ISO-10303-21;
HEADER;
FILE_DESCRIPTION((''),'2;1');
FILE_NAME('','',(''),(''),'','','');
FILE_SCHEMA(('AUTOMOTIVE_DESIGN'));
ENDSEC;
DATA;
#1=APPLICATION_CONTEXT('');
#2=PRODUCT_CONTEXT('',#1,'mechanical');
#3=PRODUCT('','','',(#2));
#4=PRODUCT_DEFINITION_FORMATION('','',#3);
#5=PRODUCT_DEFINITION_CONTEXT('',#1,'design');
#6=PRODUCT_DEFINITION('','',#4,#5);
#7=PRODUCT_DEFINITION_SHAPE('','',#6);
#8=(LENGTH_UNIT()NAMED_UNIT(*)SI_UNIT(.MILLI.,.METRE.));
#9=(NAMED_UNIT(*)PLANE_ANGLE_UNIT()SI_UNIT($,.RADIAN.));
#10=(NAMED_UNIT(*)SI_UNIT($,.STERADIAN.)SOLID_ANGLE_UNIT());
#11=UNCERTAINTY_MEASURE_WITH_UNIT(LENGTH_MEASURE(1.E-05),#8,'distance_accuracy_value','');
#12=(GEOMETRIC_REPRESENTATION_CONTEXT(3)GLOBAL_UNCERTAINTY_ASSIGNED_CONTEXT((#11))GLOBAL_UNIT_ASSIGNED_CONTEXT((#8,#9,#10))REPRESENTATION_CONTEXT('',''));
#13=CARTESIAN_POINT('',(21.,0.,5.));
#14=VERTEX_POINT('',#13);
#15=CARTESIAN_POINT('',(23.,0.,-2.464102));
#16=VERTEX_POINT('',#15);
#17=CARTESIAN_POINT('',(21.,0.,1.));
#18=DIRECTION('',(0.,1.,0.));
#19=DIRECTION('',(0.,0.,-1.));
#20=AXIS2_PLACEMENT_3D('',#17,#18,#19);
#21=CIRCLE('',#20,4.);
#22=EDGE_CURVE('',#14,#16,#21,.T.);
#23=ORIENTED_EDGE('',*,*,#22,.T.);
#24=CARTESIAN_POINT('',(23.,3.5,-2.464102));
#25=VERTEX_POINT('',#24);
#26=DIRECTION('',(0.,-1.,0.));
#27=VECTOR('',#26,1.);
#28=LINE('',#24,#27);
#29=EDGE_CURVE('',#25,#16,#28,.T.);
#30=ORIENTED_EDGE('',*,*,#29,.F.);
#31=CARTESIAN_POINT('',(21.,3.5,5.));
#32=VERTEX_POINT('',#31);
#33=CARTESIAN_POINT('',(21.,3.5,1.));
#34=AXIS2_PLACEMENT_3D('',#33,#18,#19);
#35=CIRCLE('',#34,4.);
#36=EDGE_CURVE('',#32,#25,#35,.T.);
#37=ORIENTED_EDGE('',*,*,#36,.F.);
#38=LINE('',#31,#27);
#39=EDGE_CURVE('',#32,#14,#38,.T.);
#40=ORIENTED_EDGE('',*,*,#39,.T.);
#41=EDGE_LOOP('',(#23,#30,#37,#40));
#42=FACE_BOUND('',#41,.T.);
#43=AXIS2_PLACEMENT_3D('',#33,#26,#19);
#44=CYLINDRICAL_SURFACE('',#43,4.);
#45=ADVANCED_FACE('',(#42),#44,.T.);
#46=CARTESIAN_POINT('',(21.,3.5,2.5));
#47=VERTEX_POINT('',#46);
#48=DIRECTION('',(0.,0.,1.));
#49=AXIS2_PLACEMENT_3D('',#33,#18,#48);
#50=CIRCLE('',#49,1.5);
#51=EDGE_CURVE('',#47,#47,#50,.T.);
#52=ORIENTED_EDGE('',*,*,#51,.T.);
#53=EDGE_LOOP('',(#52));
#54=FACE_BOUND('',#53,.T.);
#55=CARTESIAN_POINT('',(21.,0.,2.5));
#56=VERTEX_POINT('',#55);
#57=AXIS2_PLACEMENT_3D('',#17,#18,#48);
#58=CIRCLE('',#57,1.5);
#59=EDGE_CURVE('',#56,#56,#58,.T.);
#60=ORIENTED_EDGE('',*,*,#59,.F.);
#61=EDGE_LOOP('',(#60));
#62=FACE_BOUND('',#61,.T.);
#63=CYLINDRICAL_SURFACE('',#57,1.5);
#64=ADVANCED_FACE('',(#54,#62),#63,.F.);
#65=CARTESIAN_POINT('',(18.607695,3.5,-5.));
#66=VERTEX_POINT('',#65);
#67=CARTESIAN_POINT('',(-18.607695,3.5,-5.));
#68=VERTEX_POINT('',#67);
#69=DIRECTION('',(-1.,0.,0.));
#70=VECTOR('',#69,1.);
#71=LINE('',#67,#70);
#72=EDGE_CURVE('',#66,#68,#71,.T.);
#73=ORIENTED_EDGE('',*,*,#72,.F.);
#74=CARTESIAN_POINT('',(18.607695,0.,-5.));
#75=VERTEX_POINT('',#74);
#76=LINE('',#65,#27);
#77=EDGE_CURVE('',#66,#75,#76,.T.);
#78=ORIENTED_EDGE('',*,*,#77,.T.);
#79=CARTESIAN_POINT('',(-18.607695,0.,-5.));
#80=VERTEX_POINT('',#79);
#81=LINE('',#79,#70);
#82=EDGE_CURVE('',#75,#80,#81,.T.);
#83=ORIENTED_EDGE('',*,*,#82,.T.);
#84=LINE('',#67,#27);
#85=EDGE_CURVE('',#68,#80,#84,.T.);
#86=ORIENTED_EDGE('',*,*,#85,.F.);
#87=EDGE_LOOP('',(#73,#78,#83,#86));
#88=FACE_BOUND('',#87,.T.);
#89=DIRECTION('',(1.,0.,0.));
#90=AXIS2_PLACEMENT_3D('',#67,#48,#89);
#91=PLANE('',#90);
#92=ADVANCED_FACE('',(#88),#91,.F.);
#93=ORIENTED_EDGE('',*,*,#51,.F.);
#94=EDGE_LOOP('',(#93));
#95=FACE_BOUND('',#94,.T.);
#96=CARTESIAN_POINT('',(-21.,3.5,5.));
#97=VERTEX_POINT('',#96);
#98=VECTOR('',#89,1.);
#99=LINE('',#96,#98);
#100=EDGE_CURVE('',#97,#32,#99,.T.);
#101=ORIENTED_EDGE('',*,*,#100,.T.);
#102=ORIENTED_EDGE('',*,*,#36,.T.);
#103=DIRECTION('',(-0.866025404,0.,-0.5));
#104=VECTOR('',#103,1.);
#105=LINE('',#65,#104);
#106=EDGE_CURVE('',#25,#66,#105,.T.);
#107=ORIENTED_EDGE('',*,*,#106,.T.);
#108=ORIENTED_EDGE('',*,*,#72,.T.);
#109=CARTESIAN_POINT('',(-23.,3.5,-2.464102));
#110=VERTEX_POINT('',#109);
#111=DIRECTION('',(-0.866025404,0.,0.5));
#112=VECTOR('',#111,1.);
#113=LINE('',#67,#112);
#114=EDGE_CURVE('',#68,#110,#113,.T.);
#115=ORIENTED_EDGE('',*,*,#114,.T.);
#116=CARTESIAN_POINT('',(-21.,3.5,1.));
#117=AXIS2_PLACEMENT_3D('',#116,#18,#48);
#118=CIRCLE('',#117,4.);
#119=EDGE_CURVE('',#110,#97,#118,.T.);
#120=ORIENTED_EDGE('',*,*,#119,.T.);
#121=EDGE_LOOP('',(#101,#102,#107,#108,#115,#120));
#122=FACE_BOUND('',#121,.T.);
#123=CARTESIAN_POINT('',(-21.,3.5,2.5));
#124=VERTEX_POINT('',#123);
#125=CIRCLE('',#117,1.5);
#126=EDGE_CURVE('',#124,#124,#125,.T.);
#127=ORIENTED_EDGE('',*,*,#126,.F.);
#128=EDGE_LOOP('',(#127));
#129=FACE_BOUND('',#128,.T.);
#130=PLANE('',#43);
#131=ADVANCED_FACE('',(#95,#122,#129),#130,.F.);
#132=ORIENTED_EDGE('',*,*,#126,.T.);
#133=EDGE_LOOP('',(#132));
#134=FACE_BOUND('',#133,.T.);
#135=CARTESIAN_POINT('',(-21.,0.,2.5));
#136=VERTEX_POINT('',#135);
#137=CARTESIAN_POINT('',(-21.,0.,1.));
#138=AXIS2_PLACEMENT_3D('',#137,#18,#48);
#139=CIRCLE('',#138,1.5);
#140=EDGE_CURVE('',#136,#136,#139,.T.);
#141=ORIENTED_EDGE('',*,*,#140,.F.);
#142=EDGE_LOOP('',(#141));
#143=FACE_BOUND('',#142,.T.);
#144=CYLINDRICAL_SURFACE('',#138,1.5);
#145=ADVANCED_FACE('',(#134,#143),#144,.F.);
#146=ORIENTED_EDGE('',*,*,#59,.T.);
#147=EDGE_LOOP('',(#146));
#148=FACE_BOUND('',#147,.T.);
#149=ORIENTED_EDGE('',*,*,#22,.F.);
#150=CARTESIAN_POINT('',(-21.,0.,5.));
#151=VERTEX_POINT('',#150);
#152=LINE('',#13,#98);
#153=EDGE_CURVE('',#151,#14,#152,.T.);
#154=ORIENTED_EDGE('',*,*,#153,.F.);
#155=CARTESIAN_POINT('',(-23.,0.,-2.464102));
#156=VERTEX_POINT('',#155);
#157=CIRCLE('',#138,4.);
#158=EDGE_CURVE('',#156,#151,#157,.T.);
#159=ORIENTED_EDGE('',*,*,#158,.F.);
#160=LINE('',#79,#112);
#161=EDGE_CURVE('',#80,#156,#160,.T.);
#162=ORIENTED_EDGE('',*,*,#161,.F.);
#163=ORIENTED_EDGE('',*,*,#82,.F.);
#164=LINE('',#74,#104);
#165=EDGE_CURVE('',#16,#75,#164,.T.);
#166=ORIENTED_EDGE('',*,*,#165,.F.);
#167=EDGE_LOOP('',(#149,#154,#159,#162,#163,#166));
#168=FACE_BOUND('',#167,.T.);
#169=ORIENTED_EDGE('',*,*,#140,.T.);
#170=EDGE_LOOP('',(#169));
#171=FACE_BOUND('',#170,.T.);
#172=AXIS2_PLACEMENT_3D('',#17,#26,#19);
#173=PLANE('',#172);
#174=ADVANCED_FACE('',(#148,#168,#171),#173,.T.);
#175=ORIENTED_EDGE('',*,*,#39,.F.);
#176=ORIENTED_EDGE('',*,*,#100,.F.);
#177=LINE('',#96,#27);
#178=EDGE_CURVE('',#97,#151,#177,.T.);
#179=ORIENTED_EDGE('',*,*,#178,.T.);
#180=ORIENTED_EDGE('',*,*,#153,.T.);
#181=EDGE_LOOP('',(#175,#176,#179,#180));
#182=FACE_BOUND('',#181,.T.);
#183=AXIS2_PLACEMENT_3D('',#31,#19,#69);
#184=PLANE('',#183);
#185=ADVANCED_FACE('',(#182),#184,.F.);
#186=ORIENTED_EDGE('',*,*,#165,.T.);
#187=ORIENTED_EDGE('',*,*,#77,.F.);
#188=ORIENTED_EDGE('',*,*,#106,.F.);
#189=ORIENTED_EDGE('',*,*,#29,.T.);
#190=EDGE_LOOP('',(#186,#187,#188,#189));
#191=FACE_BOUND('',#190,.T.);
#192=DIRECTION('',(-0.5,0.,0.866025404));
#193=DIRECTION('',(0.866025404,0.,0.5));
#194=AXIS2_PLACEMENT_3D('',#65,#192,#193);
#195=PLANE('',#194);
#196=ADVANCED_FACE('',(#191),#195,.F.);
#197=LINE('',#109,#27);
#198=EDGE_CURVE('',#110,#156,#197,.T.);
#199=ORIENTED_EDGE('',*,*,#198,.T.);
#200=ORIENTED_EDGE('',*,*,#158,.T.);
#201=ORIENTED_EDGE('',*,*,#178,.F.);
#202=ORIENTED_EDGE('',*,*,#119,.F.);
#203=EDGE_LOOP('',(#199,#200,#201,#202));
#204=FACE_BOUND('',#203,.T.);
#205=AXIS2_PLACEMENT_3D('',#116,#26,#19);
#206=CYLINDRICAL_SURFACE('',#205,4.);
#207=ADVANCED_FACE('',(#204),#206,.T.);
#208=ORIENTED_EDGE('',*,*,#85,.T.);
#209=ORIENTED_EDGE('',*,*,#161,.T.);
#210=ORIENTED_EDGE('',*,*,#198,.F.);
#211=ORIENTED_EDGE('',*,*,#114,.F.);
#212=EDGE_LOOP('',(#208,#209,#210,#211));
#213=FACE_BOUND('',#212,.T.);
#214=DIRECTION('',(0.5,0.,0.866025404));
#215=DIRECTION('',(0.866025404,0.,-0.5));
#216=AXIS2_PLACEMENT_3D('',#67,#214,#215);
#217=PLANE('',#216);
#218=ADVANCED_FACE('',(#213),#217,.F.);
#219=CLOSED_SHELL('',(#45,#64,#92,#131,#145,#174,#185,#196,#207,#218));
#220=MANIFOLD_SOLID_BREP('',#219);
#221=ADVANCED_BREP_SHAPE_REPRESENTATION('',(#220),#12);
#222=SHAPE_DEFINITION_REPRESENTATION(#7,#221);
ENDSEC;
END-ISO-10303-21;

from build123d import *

# Parameters (mm, degrees)
BOSS_EXTRUDE1_DEPTH = 3.5
SKETCH2_R           = 1.5
CUT_EXTRUDE1_DEPTH  = 26.734218465


with BuildPart() as part:
    # Sketch1 → Boss-Extrude1 (new body)
    with BuildSketch(Plane(origin=(0, 0, 0), x_dir=(1, 0, 0), z_dir=(0, 1, 0))):
        with BuildLine():
            Line((-18.607695155, -5), (18.607695155, -5))
            Line((18.607695155, -5), (21, -5))
            ThreePointArc((21, -5), (24.863703305, -2.03527618), (23, 2.464101615))
            Line((23, 2.464101615), (18.607695155, 5))
            Line((18.607695155, 5), (-18.607695155, 5))
            Line((-18.607695155, 5), (-23, 2.464101615))
            ThreePointArc((-23, 2.464101615), (-24.863703305, -2.03527618), (-21, -5))
            Line((-21, -5), (-18.607695155, -5))
        make_face()
    extrude(amount=BOSS_EXTRUDE1_DEPTH)

    # Sketch2 → Cut-Extrude1 (cut, through all)
    with BuildSketch(Plane(origin=(0, 3.5, 0), x_dir=(1, 0, 0), z_dir=(0, 1, 0))):
        with Locations(Location((-21, -1, 0), (0, 0, 270))):
            Circle(SKETCH2_R)
        with Locations(Location((21, -1, 0), (0, 0, 270))):
            Circle(SKETCH2_R)
    extrude(amount=-CUT_EXTRUDE1_DEPTH, mode=Mode.SUBTRACT)


solid = part.part
